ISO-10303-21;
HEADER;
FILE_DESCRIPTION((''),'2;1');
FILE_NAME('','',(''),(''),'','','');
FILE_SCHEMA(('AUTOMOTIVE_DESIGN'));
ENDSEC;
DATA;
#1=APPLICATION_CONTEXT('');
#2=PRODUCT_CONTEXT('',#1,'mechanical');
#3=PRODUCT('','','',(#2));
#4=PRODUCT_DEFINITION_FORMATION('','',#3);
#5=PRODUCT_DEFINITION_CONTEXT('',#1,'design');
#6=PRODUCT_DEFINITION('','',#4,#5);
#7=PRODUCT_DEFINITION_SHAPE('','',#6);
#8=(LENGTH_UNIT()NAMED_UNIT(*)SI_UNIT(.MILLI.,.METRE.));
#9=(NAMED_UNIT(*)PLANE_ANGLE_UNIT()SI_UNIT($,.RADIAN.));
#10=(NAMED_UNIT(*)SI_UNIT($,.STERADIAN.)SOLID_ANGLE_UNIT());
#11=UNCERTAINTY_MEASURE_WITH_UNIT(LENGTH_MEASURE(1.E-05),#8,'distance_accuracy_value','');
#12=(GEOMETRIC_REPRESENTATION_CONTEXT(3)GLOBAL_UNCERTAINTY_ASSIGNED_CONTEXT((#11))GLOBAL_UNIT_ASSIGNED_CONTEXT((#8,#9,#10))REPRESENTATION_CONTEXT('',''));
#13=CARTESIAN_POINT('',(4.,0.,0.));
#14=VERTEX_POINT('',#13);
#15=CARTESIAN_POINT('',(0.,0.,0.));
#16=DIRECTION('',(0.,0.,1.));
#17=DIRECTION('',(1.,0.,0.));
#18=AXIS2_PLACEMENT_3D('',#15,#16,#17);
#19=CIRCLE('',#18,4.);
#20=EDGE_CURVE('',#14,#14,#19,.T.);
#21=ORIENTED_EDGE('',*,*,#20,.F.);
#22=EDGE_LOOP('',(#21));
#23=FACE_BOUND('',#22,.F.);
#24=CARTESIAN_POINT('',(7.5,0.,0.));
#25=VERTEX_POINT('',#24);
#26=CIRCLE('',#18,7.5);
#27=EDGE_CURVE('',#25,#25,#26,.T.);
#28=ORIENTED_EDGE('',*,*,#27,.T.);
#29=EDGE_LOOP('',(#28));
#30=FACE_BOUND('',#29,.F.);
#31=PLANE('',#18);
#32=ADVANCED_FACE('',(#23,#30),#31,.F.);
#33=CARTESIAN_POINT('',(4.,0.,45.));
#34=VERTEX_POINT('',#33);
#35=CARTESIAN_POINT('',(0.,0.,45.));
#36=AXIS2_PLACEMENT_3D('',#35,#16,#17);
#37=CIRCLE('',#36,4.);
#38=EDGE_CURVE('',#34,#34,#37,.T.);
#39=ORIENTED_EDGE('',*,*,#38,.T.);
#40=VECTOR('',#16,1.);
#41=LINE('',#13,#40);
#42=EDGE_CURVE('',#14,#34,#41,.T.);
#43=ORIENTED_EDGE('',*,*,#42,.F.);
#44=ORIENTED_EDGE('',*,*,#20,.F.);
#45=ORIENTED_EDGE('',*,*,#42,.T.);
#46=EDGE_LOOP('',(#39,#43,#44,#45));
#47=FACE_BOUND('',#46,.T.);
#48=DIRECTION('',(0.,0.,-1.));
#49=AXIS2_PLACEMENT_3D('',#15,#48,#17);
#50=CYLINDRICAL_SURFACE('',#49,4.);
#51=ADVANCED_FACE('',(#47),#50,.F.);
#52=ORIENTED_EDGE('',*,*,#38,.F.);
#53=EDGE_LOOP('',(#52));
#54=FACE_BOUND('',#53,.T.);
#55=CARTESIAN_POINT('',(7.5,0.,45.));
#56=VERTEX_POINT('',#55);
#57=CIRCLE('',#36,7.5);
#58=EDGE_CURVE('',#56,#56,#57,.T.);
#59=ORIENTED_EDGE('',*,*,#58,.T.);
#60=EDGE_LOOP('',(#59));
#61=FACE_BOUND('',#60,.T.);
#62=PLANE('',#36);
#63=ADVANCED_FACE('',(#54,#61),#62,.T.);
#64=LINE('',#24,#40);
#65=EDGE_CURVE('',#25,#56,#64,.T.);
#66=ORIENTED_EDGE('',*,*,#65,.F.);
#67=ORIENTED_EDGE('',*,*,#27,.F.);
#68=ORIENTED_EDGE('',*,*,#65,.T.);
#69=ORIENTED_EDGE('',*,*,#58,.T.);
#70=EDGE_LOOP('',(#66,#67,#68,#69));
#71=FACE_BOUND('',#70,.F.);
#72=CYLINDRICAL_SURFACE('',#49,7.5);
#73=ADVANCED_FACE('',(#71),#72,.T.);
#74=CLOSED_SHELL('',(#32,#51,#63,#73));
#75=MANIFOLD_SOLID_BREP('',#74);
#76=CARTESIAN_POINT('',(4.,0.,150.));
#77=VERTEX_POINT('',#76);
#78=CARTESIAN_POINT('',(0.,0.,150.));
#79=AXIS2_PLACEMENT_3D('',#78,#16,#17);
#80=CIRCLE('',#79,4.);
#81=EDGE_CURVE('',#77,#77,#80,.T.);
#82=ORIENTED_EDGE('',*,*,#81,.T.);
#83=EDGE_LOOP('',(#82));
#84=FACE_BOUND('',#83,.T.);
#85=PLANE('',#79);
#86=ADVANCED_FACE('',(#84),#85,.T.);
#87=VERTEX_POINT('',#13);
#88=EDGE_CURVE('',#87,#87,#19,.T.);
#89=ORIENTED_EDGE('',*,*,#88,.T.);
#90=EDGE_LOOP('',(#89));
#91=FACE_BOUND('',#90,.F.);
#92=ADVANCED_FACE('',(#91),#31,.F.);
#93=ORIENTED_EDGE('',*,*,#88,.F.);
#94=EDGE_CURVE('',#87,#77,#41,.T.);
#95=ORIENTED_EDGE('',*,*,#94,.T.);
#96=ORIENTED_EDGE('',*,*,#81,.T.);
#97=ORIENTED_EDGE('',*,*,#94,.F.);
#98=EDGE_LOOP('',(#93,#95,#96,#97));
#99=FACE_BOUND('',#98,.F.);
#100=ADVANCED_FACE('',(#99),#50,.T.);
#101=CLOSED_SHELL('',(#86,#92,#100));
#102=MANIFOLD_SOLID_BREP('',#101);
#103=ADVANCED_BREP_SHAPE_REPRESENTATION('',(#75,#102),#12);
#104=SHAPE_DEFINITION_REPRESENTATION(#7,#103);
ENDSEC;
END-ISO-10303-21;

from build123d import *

# Parameters (mm, degrees)
F0_R     = 4
F1_DEPTH = 150
F2_R     = 7.5
F2_R_2   = 4
F3_DEPTH = 45


with BuildPart() as f1:
    # F0 (on Top) → F1 (new body)
    with BuildSketch(Plane.XY):
        Circle(F0_R)
    extrude(amount=F1_DEPTH)


with BuildPart() as f3:
    # F2 (on Top) → F3 (new body)
    with BuildSketch(Plane.XY):
        Circle(F2_R)
        Circle(F2_R_2, mode=Mode.SUBTRACT)
    extrude(amount=F3_DEPTH)


solid = Compound([f1.part, f3.part])
